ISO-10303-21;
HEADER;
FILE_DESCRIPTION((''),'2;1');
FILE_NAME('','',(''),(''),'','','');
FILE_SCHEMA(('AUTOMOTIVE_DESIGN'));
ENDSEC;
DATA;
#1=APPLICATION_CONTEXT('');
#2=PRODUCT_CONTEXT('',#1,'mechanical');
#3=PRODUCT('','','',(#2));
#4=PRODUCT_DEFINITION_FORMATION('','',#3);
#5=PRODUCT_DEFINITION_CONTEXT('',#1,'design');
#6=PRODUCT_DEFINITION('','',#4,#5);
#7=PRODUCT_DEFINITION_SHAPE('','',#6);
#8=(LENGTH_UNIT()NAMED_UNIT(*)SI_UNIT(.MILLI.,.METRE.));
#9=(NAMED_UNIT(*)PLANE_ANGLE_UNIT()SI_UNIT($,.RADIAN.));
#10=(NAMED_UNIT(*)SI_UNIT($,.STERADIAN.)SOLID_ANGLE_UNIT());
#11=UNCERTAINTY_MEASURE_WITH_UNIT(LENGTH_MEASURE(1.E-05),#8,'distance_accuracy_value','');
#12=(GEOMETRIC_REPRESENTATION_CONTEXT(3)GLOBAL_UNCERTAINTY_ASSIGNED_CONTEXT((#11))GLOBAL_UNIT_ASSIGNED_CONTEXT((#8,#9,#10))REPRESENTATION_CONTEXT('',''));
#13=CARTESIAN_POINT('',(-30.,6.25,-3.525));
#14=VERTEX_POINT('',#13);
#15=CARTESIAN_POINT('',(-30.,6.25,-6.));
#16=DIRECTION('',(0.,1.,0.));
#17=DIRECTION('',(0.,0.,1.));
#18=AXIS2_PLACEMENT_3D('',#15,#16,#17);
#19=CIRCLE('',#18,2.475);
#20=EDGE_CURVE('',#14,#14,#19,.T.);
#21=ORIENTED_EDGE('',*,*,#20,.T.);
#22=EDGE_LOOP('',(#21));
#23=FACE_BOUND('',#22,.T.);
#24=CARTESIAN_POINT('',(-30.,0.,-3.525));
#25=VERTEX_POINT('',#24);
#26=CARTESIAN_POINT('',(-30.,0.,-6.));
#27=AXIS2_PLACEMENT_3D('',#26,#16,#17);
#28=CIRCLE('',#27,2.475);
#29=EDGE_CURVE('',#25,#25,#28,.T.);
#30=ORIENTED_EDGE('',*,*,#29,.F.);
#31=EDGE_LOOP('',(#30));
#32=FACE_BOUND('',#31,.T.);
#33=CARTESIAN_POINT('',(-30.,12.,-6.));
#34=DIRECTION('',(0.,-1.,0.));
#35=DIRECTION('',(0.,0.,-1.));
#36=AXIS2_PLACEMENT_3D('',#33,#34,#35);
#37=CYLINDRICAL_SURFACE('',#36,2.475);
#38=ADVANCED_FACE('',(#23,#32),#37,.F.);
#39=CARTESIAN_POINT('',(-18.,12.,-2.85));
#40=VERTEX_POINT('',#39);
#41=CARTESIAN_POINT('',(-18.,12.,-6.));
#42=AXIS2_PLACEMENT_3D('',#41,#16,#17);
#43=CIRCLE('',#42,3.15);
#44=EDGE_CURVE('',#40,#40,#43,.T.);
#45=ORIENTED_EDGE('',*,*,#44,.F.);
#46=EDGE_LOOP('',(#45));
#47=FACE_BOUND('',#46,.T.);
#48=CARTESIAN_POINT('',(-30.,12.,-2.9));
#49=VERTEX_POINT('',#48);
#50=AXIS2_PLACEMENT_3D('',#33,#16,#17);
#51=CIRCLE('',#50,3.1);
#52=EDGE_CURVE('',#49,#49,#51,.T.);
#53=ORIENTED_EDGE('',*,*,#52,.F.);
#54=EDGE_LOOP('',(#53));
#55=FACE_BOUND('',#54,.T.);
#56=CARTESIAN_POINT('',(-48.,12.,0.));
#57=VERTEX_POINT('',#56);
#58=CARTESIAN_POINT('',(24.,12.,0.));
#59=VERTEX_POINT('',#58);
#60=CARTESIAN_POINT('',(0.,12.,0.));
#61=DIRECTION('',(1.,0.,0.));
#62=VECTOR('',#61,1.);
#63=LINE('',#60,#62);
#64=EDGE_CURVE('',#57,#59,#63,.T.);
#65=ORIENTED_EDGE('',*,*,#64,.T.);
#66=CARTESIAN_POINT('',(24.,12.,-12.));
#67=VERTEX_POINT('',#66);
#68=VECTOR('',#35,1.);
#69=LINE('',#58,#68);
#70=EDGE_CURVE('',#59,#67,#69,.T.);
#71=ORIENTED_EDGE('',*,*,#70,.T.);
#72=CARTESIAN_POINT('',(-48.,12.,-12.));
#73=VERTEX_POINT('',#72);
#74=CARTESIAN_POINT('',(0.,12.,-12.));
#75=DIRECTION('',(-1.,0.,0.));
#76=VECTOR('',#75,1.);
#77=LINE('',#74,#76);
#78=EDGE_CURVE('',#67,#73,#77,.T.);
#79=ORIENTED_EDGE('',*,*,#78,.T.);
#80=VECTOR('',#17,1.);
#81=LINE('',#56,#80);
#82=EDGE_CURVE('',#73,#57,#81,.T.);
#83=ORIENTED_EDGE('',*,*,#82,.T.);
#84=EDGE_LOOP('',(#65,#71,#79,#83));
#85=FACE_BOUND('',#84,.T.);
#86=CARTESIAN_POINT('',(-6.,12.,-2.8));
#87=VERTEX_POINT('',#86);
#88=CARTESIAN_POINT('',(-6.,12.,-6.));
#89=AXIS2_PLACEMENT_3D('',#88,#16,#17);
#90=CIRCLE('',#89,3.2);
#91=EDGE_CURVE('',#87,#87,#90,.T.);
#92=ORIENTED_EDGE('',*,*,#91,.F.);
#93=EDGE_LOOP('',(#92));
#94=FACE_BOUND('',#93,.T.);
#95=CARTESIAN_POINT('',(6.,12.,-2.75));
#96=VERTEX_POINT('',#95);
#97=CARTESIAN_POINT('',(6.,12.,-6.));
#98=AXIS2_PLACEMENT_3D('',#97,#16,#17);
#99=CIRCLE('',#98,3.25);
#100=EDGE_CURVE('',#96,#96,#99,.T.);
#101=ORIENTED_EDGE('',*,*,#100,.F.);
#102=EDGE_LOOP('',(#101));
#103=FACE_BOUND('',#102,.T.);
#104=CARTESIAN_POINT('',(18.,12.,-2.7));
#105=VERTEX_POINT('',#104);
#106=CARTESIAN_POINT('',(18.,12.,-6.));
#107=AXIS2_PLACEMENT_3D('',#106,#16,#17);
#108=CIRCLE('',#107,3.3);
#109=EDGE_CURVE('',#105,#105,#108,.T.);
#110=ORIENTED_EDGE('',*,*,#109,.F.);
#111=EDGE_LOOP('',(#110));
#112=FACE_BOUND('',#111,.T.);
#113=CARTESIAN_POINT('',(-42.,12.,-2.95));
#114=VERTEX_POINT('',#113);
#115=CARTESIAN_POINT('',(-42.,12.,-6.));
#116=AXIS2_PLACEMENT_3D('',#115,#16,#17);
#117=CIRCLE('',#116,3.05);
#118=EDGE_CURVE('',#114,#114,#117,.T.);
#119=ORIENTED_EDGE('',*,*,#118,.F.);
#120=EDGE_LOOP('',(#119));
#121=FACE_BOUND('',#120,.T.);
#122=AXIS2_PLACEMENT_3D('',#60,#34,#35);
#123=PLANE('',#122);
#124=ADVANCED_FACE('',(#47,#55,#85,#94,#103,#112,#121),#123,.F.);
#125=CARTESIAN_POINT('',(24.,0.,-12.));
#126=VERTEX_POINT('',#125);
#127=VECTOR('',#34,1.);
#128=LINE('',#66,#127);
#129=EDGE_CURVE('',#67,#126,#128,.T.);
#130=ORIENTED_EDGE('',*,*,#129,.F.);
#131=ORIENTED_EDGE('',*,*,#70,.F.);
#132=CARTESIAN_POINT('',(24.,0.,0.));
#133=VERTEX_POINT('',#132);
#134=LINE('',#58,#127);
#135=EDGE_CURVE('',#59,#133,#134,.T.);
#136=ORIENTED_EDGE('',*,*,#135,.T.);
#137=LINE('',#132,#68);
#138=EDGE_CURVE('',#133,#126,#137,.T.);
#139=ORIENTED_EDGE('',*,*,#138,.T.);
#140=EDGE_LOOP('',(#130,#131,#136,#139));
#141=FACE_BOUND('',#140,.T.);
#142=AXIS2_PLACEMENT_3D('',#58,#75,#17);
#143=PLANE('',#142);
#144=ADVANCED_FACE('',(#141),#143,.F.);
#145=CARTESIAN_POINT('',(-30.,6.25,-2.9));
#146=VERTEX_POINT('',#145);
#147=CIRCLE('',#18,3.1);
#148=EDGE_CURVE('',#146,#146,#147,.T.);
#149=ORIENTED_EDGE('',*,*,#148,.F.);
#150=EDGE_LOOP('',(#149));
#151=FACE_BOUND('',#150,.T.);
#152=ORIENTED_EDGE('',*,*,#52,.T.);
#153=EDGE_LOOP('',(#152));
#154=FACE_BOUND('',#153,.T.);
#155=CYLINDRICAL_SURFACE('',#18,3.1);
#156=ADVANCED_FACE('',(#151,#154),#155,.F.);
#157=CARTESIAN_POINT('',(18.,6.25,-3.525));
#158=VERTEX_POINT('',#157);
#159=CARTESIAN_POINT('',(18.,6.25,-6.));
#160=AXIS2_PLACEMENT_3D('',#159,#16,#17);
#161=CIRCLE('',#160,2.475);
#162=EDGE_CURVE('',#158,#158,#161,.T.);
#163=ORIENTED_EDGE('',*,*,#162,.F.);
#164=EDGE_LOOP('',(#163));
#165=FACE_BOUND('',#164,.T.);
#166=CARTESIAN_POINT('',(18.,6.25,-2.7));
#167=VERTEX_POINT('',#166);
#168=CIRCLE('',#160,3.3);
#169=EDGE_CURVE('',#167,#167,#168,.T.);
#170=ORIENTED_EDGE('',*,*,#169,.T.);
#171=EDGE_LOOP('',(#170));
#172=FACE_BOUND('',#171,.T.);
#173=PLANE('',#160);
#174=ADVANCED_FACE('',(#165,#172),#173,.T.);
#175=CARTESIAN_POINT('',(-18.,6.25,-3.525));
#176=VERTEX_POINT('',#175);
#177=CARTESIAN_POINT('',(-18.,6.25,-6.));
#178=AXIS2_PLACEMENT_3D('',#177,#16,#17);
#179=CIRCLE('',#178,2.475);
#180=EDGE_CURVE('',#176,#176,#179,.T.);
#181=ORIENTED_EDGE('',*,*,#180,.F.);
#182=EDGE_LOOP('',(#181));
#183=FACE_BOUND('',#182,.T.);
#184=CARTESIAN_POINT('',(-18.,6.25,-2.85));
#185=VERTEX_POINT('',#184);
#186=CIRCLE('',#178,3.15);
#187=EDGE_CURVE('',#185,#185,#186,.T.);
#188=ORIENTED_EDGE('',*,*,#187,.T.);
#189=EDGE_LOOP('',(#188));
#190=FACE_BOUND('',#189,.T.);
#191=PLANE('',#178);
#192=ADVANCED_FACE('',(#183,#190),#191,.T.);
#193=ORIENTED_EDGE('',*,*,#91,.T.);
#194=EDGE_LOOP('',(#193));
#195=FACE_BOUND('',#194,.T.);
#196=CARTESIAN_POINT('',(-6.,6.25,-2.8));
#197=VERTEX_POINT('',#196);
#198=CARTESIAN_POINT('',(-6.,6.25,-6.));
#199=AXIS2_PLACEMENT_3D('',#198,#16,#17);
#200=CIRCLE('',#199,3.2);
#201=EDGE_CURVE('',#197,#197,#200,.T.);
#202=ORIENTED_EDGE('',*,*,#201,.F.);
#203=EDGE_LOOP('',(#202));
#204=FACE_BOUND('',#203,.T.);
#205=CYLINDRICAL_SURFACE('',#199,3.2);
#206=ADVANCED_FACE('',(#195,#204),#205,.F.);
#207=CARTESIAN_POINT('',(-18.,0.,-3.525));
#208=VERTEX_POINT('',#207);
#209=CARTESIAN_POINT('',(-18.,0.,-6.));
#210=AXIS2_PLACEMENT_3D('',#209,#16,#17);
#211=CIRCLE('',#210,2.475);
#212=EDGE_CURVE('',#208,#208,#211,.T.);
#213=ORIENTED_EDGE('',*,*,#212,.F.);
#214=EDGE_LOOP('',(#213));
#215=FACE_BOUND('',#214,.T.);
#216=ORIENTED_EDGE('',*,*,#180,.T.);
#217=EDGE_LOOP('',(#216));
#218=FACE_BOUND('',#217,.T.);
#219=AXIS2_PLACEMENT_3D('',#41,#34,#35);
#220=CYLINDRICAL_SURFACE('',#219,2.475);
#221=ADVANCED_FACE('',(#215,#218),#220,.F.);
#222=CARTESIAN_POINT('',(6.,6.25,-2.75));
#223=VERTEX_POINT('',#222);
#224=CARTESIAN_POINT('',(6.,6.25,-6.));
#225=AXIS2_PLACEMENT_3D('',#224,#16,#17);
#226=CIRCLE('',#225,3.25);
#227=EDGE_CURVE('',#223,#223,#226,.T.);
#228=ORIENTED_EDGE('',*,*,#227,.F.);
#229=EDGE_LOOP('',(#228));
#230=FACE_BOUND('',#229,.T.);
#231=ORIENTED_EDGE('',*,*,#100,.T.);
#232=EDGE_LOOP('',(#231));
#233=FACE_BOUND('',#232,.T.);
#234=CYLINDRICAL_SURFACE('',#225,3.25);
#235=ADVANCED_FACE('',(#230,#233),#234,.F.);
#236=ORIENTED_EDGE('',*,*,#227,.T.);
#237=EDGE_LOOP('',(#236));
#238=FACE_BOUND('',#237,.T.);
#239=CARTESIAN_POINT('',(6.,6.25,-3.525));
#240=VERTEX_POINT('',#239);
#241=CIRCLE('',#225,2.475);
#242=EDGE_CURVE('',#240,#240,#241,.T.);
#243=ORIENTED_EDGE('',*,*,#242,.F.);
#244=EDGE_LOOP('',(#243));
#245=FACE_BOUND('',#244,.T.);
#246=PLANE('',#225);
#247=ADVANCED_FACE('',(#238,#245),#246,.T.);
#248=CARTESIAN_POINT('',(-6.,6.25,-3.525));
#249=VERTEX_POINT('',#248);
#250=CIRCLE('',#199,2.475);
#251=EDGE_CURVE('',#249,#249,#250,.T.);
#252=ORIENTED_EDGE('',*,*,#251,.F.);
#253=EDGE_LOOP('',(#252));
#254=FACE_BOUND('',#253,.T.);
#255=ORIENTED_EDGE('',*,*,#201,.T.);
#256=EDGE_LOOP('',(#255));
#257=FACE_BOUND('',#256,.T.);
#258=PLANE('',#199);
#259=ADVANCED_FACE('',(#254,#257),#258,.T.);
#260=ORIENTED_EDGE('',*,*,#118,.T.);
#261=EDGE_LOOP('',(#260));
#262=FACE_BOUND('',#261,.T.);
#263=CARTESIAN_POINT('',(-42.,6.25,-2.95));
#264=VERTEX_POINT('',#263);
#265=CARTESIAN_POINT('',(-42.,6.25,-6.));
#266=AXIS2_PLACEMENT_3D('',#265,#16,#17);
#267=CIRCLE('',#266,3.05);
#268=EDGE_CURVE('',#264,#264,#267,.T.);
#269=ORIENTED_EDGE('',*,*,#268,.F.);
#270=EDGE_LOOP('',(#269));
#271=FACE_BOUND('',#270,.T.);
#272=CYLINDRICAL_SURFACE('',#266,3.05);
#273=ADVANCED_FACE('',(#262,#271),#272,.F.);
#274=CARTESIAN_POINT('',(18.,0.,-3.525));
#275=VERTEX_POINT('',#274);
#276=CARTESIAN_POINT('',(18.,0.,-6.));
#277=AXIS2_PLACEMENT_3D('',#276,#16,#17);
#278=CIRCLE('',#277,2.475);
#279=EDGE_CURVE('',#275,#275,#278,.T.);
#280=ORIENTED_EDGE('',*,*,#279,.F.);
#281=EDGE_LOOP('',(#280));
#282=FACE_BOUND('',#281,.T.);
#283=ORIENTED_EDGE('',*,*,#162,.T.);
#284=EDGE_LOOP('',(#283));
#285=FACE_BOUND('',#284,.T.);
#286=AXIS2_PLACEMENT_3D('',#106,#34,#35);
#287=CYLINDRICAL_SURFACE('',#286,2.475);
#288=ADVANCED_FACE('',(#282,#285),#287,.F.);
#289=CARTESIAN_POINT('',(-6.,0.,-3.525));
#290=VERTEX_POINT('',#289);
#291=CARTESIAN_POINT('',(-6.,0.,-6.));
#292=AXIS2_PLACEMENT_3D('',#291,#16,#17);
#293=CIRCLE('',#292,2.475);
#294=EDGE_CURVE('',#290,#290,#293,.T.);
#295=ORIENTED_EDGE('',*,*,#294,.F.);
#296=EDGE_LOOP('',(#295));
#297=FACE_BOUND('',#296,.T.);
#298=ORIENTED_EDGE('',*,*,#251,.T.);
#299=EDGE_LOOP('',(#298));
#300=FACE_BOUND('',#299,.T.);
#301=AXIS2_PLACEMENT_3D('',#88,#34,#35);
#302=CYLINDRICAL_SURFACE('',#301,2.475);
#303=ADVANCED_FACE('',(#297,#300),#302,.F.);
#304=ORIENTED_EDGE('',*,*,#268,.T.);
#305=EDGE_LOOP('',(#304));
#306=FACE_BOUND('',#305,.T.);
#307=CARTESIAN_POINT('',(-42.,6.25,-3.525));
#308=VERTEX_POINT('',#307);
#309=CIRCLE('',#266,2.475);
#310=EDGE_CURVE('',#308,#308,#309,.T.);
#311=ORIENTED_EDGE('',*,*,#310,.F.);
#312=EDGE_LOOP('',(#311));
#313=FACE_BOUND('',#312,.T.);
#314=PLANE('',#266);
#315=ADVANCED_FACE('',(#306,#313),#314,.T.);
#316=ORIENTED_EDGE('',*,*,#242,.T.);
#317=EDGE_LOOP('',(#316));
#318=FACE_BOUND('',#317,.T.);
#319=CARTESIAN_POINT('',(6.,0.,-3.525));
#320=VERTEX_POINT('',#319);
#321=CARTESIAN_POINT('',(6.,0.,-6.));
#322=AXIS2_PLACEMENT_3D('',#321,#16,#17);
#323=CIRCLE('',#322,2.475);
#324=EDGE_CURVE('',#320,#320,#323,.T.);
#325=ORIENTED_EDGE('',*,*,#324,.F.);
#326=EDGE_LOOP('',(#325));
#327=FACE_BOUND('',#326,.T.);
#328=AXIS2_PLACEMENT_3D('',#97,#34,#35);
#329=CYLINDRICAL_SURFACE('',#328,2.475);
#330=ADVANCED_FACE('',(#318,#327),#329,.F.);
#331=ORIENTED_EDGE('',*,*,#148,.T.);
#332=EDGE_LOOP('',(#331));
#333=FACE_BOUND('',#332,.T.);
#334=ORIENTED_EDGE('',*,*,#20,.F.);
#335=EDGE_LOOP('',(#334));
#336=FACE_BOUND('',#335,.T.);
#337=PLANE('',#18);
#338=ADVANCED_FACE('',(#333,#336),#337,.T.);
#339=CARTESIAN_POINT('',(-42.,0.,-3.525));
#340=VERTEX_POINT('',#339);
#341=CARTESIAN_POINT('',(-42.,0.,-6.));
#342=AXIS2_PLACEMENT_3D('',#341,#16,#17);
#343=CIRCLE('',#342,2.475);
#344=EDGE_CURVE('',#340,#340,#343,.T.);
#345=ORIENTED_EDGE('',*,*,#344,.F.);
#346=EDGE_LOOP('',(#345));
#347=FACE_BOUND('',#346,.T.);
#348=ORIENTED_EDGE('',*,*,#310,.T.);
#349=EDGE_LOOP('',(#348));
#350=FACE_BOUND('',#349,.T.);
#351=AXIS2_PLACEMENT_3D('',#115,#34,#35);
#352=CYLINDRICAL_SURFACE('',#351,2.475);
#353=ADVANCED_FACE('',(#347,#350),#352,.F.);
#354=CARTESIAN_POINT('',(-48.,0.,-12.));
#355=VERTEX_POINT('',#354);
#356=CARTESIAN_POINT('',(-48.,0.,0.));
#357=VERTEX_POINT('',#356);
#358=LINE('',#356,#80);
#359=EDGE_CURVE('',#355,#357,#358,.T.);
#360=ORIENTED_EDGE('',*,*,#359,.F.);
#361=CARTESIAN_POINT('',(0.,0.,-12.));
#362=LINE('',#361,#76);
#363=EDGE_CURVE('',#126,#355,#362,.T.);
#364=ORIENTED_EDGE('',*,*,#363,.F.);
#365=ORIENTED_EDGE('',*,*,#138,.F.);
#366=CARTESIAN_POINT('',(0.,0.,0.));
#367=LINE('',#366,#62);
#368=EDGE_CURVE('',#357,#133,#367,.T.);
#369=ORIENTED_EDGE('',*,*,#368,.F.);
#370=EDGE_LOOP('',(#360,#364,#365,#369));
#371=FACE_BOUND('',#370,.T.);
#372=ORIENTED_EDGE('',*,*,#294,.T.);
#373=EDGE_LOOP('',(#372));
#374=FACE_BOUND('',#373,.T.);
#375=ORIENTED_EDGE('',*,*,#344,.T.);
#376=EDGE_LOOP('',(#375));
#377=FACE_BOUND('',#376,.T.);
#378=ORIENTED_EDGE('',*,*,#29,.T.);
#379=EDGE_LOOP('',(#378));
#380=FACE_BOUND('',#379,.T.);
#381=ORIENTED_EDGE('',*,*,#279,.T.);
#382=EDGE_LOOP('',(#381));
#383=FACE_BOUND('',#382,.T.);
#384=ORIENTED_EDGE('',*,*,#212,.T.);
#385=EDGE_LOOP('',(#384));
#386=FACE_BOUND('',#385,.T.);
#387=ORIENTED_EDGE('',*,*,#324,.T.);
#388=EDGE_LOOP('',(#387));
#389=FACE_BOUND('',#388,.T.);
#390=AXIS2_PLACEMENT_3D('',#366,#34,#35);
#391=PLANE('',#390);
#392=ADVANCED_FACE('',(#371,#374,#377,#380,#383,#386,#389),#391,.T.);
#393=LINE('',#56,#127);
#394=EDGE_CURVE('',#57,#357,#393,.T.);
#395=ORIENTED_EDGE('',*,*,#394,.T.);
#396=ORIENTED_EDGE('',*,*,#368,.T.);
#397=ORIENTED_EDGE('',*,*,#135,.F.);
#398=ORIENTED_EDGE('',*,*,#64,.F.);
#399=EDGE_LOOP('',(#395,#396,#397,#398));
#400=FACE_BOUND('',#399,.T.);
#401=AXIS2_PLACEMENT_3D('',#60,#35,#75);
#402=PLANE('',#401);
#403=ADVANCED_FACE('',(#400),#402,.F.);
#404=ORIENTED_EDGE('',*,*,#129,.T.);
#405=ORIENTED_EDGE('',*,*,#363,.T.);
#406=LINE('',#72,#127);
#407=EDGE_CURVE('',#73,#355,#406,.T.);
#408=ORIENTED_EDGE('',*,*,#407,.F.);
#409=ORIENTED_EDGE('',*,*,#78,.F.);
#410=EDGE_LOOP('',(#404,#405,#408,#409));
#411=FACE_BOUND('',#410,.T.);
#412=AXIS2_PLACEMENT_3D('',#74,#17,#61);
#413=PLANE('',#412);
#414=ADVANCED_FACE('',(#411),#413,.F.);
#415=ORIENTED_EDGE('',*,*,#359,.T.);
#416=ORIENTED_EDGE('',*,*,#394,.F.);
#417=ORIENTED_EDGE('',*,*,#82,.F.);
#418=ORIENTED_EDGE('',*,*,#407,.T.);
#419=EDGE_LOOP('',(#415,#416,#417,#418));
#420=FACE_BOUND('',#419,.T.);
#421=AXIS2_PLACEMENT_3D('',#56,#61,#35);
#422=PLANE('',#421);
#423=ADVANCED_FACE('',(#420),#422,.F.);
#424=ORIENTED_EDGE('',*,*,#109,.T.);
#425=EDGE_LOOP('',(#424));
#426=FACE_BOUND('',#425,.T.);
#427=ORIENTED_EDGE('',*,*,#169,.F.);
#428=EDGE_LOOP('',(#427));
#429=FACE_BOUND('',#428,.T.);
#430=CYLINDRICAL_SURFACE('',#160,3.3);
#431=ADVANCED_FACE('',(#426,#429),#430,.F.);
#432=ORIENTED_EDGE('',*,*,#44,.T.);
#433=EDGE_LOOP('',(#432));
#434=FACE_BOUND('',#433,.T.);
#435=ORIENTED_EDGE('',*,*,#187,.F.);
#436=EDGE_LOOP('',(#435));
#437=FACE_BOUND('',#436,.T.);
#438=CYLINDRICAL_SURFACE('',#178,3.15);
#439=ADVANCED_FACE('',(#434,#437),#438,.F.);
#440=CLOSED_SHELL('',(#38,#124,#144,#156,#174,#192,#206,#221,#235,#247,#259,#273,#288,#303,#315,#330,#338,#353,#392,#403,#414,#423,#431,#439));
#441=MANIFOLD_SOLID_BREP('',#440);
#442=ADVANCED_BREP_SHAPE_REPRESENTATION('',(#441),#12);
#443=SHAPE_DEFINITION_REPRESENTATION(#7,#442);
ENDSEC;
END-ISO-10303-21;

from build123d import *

# Parameters (mm, degrees)
SKETCH1_W           = 12
SKETCH1_H           = 12
SKETCH1_R           = 2.475
BOSS_EXTRUDE1_DEPTH = 12
LPATTERN1_COUNT     = 5
LPATTERN1_PITCH     = 12
LPATTERN1_COL_COUNT = 2
LPATTERN1_COL_PITCH = 12
SKETCH2_R           = 3.05
SKETCH2_R_2         = 3.1
SKETCH2_R_3         = 3.15
SKETCH2_R_4         = 3.2
SKETCH2_R_5         = 3.25
SKETCH2_R_6         = 3.3
CUT_EXTRUDE1_DEPTH  = 5.75


with BuildPart() as part:
    # Sketch1 → Boss-Extrude1 (new body)
    with BuildSketch(Plane(origin=(0, 0, 0), x_dir=(1, 0, 0), z_dir=(0, 1, 0))):
        with Locations((6, 6)):
            Rectangle(SKETCH1_W, SKETCH1_H)
        with Locations(Location((6, 6, 0), (0, 0, 270))):
            Circle(SKETCH1_R, mode=Mode.SUBTRACT)
    boss_extrude1 = extrude(amount=BOSS_EXTRUDE1_DEPTH)

    # LPattern1: Boss-Extrude1 ×5
    with Locations(*[(-i * LPATTERN1_PITCH, 0, 0) for i in range(1, LPATTERN1_COUNT)]):
        add(boss_extrude1)


with BuildPart() as lpattern1_col_1:
    # LPattern1 col: Boss-Extrude1 ×2
    with Locations(*[(i * LPATTERN1_COL_PITCH, 0, 0) for i in range(1, LPATTERN1_COL_COUNT)]):
        add(boss_extrude1)


with BuildPart() as part_1:
    add(part.part)

    # LPattern1 col united with what the copie: union LPattern1 col_1
    add(lpattern1_col_1.part)

    # Sketch2 → Cut-Extrude1 (cut)
    with BuildSketch(Plane(origin=(0, 12, 0), x_dir=(1, 0, 0), z_dir=(0, 1, 0))):
        with Locations(Location((-42, 6, 0), (0, 0, 270))):
            Circle(SKETCH2_R)
        with Locations(Location((-30, 6, 0), (0, 0, 270))):
            Circle(SKETCH2_R_2)
        with Locations(Location((-18, 6, 0), (0, 0, 270))):
            Circle(SKETCH2_R_3)
        with Locations(Location((-6, 6, 0), (0, 0, 270))):
            Circle(SKETCH2_R_4)
        with Locations(Location((6, 6, 0), (0, 0, 270))):
            Circle(SKETCH2_R_5)
        with Locations(Location((18, 6, 0), (0, 0, 270))):
            Circle(SKETCH2_R_6)
    extrude(amount=-CUT_EXTRUDE1_DEPTH, mode=Mode.SUBTRACT)


solid = part_1.part
